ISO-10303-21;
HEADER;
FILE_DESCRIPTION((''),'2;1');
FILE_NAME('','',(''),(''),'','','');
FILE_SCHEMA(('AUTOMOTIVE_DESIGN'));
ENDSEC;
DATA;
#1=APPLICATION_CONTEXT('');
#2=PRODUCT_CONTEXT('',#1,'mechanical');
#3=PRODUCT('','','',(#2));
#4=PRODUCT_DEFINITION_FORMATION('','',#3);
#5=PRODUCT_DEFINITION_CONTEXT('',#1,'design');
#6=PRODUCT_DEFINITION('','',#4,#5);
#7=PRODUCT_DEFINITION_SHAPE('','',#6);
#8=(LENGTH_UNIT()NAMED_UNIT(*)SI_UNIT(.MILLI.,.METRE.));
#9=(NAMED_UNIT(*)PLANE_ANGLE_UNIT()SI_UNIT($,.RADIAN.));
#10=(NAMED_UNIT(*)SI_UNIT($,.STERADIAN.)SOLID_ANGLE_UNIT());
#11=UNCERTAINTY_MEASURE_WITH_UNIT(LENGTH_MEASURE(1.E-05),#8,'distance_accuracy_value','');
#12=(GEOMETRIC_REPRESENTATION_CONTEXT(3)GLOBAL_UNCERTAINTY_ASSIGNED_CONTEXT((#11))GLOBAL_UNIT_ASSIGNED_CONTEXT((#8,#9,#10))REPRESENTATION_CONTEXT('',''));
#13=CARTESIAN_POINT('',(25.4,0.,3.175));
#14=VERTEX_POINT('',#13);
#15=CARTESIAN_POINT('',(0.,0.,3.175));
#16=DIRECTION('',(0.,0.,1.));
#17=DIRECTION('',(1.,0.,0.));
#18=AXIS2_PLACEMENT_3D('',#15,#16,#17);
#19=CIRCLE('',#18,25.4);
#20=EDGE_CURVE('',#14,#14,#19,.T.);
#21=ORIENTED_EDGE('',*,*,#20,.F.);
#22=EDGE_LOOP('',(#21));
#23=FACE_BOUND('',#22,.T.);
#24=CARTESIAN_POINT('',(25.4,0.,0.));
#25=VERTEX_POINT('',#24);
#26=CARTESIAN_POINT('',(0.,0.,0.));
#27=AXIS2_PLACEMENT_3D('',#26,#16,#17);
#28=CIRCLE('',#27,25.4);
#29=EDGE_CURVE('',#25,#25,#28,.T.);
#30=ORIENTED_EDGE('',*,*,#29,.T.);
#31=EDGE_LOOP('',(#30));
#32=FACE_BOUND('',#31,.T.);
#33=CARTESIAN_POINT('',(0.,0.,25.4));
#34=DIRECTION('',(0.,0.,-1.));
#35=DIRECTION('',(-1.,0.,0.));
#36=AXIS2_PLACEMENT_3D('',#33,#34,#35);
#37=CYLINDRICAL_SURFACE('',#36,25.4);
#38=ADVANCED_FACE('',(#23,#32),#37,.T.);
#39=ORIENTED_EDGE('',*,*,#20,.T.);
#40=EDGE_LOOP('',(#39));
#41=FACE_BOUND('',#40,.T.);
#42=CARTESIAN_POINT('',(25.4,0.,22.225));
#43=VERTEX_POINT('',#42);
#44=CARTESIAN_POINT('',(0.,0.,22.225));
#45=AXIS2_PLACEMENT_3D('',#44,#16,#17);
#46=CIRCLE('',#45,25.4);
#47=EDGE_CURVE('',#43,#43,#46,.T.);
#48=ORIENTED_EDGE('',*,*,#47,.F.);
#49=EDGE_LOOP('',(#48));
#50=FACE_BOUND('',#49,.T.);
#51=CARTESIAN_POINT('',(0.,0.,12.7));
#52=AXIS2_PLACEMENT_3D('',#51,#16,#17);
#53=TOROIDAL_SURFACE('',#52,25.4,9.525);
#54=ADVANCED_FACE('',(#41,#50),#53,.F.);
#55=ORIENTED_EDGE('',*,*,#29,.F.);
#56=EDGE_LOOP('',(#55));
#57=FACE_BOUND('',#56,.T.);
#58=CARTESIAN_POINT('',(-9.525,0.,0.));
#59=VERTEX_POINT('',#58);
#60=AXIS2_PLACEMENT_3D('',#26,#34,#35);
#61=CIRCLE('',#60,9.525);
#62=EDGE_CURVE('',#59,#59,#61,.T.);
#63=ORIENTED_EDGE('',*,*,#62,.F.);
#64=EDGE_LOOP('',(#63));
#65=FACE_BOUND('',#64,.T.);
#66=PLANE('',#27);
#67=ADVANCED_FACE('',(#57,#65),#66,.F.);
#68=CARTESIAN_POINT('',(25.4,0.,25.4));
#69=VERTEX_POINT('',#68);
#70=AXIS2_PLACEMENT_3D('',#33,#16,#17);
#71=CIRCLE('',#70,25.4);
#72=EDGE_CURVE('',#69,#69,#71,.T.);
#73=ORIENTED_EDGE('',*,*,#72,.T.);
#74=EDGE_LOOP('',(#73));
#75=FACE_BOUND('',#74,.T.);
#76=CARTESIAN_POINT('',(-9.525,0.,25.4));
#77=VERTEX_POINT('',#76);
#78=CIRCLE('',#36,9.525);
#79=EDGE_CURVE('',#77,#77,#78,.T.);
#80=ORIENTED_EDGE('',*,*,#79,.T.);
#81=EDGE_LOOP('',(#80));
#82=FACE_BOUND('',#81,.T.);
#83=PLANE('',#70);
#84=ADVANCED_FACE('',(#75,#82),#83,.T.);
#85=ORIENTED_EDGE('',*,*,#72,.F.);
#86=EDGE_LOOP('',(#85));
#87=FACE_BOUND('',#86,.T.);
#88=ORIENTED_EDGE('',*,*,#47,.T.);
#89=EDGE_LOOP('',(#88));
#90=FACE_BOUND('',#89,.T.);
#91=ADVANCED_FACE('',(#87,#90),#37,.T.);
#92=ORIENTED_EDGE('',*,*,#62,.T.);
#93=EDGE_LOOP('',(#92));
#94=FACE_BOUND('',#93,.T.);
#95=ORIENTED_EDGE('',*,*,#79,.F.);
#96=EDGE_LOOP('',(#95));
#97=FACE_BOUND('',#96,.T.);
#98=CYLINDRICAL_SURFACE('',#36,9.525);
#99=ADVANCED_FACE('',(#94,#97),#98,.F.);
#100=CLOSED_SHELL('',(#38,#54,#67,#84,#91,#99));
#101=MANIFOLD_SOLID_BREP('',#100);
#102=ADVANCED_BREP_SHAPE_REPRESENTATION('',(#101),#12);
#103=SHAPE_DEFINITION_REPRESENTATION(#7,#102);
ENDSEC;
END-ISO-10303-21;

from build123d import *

# Parameters (mm, degrees)
SKETCH1_R           = 25.4
BOSS_EXTRUDE1_DEPTH = 25.4
SKETCH3_R           = 9.525
CUT_EXTRUDE1_DEPTH  = 25.4


with BuildPart() as part:
    # Sketch1 → Boss-Extrude1 (new body)
    with BuildSketch(Plane.XY):
        Circle(SKETCH1_R)
    extrude(amount=BOSS_EXTRUDE1_DEPTH)

    # Sketch2 → Cut-Revolve1 (revolve, cut)
    with BuildSketch(Plane(origin=(0, 0, 0), x_dir=(1, 0, 0), z_dir=(0, 1, 0))):
        with BuildLine():
            Line((25.4, -22.225), (25.4, -3.175))
            ThreePointArc((25.4, -3.175), (15.875, -12.7), (25.4, -22.225))
        make_face()
    revolve(axis=Axis((0, 0, 32.071065699), (0, 0, -1)), mode=Mode.SUBTRACT)

    # Sketch3 → Cut-Extrude1 (cut)
    with BuildSketch(Plane(origin=(0, 0, 0), x_dir=(-1, 0, 0), z_dir=(0, 0, -1))):
        Circle(SKETCH3_R)
    extrude(amount=-CUT_EXTRUDE1_DEPTH, mode=Mode.SUBTRACT)


solid = part.part
